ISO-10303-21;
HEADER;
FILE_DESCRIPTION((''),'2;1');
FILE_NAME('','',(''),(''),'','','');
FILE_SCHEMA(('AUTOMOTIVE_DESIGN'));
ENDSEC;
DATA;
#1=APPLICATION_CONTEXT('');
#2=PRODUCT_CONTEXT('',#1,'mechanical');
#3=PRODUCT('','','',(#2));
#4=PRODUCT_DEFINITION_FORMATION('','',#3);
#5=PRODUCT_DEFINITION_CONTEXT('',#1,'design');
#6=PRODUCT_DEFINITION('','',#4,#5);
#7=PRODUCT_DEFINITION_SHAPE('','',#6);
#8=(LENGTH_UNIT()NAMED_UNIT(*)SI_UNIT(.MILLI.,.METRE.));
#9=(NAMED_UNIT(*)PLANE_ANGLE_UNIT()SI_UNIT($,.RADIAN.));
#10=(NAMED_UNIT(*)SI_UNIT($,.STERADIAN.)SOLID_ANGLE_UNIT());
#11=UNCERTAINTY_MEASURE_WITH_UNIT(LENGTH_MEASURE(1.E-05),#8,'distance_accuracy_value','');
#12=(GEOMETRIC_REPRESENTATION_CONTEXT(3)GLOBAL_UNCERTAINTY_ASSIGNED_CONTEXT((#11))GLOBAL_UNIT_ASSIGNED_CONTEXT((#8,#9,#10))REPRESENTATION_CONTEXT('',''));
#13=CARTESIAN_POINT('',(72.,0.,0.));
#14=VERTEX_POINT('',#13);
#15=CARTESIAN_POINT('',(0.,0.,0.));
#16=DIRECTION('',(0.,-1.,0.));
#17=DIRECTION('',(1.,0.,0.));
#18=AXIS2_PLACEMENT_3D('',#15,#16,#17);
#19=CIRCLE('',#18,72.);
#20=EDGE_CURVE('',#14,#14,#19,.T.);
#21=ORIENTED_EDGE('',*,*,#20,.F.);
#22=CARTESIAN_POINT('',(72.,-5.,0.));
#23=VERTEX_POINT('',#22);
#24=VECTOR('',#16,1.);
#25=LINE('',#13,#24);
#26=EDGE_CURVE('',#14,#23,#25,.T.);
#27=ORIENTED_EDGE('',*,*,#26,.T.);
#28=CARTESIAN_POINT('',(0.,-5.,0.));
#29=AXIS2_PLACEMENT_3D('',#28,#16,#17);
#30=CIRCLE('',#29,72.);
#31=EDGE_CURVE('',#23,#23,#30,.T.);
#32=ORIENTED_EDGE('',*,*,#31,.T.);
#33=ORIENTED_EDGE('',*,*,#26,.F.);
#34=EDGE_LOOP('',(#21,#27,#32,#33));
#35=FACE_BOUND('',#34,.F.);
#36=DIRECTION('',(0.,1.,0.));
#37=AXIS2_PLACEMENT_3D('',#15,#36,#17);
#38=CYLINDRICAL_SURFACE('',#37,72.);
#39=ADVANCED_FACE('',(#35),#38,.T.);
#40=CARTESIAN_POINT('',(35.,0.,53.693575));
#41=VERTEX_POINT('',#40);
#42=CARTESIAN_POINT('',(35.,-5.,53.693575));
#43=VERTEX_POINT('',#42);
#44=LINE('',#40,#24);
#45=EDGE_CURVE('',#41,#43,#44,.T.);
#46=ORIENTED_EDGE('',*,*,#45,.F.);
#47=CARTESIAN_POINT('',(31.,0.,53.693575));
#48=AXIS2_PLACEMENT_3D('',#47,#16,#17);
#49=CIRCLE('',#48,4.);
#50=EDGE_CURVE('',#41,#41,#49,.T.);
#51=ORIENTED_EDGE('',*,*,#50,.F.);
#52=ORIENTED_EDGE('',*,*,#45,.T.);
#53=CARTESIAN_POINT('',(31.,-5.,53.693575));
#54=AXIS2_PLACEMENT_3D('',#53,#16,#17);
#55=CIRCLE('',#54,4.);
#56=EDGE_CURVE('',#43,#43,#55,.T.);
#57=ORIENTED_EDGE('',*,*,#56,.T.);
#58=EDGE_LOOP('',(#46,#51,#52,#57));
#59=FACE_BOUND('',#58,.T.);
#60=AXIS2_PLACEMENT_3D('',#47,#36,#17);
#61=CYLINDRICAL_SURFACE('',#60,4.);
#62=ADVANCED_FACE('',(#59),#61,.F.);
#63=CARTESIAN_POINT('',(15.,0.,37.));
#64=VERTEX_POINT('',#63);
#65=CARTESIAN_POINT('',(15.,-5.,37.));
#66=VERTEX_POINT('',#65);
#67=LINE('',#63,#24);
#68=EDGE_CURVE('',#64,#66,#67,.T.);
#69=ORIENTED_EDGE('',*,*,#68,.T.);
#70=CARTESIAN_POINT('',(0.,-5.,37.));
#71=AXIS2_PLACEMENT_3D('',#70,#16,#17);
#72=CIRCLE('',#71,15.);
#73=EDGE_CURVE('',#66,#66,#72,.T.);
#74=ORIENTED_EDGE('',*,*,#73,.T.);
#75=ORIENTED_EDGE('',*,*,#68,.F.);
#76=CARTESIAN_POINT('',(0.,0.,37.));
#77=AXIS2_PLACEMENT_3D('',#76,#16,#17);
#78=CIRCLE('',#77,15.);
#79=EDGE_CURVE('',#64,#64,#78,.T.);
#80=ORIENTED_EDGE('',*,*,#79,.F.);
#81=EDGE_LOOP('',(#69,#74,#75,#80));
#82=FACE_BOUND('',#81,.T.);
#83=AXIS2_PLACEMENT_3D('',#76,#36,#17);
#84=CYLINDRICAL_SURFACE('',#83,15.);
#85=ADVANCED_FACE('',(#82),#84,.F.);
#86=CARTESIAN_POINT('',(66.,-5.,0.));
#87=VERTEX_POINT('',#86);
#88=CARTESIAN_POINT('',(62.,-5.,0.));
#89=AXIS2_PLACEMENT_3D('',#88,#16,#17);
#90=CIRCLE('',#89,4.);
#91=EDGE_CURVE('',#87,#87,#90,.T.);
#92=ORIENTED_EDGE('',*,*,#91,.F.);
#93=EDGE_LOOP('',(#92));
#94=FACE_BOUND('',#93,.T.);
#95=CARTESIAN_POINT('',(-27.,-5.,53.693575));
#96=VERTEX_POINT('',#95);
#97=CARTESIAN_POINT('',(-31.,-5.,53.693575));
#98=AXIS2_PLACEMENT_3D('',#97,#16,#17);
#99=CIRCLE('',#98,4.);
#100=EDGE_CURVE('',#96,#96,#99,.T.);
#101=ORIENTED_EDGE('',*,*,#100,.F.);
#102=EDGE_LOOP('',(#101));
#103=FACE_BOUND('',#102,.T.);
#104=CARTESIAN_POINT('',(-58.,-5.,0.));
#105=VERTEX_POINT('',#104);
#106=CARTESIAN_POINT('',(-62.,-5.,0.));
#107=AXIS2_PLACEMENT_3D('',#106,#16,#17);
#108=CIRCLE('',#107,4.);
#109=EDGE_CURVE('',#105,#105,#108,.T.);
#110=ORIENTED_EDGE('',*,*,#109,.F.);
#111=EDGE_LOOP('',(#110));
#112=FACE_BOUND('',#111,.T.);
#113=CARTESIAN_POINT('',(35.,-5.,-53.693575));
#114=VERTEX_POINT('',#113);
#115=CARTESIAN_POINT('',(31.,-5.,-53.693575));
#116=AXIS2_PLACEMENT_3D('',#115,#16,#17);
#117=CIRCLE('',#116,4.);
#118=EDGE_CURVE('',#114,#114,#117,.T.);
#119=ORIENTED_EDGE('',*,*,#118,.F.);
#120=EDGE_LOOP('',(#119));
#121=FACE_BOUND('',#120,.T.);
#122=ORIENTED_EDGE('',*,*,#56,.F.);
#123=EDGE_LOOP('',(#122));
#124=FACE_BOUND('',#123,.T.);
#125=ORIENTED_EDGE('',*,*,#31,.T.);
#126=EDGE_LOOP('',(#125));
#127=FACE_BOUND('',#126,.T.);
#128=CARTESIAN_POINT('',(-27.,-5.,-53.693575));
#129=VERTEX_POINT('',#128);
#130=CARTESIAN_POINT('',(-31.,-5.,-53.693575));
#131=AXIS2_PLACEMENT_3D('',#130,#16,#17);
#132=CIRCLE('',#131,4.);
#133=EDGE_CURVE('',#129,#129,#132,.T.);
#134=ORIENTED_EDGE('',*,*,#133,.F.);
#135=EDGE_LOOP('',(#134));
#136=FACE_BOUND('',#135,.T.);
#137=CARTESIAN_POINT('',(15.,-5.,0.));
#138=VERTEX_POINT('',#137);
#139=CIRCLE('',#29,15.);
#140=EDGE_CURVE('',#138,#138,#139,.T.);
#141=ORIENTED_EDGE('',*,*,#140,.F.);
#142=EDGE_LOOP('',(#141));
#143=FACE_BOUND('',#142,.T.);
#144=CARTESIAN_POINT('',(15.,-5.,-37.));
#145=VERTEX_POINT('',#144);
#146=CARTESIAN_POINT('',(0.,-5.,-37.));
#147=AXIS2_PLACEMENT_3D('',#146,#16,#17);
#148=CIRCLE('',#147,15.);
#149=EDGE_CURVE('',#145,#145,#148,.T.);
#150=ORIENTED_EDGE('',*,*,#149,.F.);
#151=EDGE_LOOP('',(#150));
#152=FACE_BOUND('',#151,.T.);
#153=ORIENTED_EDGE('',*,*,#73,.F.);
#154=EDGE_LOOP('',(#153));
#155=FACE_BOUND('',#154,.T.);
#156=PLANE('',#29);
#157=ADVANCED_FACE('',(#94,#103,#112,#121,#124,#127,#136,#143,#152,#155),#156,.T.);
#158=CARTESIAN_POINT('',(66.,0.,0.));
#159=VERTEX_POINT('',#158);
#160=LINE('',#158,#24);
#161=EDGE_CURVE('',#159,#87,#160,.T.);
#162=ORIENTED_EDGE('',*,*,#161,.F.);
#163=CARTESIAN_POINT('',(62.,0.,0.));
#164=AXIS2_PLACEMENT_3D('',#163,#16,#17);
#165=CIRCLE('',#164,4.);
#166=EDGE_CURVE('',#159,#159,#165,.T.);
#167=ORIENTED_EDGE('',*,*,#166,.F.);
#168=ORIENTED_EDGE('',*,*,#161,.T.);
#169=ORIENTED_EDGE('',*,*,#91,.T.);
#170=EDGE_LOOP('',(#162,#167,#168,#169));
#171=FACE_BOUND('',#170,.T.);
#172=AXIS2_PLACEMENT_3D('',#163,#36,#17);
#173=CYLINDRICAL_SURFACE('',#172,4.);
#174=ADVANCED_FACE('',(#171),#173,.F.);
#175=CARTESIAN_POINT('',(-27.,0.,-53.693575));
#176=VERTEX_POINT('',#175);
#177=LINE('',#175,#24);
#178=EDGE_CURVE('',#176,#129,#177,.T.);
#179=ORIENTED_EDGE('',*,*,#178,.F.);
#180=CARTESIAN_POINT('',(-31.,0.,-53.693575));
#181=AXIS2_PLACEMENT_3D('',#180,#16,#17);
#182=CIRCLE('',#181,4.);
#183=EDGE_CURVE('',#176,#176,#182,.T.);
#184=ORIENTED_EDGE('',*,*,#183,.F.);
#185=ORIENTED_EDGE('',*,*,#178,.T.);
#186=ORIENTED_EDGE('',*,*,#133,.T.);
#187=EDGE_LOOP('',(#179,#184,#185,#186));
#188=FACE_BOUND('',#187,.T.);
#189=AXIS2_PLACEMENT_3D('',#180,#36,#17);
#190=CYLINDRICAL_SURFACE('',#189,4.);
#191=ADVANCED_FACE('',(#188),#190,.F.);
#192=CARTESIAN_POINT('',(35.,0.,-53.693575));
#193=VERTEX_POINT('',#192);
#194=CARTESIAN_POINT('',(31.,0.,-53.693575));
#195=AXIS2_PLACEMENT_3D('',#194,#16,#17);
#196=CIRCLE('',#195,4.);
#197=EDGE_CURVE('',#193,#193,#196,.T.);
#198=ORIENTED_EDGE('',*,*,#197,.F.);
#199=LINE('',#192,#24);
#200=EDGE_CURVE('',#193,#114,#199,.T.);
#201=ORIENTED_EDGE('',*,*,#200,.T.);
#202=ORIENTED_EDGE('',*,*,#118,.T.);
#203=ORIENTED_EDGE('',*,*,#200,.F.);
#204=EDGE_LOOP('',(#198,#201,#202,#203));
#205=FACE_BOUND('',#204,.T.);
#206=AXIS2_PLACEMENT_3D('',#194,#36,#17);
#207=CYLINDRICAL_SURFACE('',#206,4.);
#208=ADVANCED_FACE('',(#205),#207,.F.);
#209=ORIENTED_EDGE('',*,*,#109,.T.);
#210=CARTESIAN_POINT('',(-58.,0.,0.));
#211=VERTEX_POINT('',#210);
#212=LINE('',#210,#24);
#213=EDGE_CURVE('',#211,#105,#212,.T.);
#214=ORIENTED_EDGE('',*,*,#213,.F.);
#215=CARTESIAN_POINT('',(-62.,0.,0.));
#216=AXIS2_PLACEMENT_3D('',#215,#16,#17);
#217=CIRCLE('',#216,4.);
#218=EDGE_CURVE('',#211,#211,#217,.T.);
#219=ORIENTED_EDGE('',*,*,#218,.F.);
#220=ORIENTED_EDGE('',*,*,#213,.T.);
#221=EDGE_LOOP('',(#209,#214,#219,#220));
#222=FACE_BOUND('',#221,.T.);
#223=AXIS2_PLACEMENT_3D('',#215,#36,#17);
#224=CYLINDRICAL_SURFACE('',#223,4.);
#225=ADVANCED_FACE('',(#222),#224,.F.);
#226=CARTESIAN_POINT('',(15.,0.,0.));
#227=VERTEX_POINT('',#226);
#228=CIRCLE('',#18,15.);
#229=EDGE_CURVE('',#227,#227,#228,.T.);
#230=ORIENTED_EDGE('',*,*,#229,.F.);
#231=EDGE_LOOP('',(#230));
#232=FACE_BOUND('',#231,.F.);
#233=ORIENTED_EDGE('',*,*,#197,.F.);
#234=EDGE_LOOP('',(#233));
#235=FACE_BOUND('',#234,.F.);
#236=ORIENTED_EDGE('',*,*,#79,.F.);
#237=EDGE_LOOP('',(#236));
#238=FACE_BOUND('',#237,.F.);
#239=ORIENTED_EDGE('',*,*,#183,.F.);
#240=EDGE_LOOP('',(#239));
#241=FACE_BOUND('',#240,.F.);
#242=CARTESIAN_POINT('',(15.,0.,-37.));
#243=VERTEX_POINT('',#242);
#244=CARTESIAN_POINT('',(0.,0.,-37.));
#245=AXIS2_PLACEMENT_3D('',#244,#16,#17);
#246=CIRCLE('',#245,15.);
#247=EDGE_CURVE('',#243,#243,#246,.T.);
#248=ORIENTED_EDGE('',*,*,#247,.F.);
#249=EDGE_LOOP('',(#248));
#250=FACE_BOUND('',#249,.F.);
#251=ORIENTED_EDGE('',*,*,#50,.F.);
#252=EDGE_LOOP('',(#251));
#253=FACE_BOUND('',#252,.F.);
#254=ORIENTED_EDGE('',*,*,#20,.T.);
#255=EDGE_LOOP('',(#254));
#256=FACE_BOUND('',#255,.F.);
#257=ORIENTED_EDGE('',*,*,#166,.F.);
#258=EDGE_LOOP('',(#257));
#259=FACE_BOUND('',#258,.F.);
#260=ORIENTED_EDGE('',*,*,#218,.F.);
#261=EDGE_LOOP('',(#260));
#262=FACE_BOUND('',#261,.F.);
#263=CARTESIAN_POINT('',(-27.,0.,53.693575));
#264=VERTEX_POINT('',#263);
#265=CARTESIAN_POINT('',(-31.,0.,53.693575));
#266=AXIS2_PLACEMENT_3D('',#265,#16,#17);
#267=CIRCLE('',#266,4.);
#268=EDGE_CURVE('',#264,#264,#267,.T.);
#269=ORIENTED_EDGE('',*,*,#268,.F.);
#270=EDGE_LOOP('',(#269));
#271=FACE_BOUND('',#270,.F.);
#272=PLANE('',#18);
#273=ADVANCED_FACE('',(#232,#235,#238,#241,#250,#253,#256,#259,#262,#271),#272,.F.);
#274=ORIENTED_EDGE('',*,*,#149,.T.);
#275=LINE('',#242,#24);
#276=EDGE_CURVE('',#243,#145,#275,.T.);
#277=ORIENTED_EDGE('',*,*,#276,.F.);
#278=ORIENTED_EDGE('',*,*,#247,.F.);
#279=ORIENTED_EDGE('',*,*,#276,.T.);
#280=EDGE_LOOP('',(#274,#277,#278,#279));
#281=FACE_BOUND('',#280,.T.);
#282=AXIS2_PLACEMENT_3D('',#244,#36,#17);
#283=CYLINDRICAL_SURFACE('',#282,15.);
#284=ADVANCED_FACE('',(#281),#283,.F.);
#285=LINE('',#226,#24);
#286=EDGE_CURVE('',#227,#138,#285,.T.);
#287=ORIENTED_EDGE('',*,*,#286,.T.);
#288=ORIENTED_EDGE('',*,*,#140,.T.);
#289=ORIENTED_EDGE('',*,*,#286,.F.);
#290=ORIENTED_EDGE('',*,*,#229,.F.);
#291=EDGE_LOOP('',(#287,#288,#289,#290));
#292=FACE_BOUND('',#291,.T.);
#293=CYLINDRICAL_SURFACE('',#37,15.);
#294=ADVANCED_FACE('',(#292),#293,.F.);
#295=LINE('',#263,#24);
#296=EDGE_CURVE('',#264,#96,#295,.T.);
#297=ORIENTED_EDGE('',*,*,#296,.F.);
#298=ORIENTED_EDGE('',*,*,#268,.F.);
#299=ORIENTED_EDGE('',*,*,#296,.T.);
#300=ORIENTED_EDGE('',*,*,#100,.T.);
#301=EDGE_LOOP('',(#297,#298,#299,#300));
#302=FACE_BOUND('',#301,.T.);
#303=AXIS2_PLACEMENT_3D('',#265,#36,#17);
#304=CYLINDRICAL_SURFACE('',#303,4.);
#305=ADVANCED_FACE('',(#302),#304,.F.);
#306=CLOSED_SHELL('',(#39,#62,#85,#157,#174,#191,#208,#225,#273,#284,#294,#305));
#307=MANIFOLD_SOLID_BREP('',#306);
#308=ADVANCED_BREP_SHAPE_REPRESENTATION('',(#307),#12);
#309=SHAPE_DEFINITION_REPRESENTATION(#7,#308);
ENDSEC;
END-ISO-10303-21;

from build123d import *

# Parameters (mm, degrees)
F0_R     = 72
F0_R_2   = 4
F0_R_3   = 15
F1_DEPTH = 5


with BuildPart() as f1:
    # F0 (on Front) → F1 (new body)
    with BuildSketch(Plane.XZ):
        Circle(F0_R)
        with Locations((-31, -53.693575)):
            Circle(F0_R_2, mode=Mode.SUBTRACT)
        with Locations((0, -37)):
            Circle(F0_R_3, mode=Mode.SUBTRACT)
        with Locations((31, -53.693575)):
            Circle(F0_R_2, mode=Mode.SUBTRACT)
        with Locations((-62, 0)):
            Circle(F0_R_2, mode=Mode.SUBTRACT)
        with Locations((-31, 53.693575)):
            Circle(F0_R_2, mode=Mode.SUBTRACT)
        Circle(F0_R_3, mode=Mode.SUBTRACT)
        with Locations((62, 0)):
            Circle(F0_R_2, mode=Mode.SUBTRACT)
        with Locations((0, 37)):
            Circle(F0_R_3, mode=Mode.SUBTRACT)
        with Locations((31, 53.693575)):
            Circle(F0_R_2, mode=Mode.SUBTRACT)
    extrude(amount=F1_DEPTH)


solid = f1.part
